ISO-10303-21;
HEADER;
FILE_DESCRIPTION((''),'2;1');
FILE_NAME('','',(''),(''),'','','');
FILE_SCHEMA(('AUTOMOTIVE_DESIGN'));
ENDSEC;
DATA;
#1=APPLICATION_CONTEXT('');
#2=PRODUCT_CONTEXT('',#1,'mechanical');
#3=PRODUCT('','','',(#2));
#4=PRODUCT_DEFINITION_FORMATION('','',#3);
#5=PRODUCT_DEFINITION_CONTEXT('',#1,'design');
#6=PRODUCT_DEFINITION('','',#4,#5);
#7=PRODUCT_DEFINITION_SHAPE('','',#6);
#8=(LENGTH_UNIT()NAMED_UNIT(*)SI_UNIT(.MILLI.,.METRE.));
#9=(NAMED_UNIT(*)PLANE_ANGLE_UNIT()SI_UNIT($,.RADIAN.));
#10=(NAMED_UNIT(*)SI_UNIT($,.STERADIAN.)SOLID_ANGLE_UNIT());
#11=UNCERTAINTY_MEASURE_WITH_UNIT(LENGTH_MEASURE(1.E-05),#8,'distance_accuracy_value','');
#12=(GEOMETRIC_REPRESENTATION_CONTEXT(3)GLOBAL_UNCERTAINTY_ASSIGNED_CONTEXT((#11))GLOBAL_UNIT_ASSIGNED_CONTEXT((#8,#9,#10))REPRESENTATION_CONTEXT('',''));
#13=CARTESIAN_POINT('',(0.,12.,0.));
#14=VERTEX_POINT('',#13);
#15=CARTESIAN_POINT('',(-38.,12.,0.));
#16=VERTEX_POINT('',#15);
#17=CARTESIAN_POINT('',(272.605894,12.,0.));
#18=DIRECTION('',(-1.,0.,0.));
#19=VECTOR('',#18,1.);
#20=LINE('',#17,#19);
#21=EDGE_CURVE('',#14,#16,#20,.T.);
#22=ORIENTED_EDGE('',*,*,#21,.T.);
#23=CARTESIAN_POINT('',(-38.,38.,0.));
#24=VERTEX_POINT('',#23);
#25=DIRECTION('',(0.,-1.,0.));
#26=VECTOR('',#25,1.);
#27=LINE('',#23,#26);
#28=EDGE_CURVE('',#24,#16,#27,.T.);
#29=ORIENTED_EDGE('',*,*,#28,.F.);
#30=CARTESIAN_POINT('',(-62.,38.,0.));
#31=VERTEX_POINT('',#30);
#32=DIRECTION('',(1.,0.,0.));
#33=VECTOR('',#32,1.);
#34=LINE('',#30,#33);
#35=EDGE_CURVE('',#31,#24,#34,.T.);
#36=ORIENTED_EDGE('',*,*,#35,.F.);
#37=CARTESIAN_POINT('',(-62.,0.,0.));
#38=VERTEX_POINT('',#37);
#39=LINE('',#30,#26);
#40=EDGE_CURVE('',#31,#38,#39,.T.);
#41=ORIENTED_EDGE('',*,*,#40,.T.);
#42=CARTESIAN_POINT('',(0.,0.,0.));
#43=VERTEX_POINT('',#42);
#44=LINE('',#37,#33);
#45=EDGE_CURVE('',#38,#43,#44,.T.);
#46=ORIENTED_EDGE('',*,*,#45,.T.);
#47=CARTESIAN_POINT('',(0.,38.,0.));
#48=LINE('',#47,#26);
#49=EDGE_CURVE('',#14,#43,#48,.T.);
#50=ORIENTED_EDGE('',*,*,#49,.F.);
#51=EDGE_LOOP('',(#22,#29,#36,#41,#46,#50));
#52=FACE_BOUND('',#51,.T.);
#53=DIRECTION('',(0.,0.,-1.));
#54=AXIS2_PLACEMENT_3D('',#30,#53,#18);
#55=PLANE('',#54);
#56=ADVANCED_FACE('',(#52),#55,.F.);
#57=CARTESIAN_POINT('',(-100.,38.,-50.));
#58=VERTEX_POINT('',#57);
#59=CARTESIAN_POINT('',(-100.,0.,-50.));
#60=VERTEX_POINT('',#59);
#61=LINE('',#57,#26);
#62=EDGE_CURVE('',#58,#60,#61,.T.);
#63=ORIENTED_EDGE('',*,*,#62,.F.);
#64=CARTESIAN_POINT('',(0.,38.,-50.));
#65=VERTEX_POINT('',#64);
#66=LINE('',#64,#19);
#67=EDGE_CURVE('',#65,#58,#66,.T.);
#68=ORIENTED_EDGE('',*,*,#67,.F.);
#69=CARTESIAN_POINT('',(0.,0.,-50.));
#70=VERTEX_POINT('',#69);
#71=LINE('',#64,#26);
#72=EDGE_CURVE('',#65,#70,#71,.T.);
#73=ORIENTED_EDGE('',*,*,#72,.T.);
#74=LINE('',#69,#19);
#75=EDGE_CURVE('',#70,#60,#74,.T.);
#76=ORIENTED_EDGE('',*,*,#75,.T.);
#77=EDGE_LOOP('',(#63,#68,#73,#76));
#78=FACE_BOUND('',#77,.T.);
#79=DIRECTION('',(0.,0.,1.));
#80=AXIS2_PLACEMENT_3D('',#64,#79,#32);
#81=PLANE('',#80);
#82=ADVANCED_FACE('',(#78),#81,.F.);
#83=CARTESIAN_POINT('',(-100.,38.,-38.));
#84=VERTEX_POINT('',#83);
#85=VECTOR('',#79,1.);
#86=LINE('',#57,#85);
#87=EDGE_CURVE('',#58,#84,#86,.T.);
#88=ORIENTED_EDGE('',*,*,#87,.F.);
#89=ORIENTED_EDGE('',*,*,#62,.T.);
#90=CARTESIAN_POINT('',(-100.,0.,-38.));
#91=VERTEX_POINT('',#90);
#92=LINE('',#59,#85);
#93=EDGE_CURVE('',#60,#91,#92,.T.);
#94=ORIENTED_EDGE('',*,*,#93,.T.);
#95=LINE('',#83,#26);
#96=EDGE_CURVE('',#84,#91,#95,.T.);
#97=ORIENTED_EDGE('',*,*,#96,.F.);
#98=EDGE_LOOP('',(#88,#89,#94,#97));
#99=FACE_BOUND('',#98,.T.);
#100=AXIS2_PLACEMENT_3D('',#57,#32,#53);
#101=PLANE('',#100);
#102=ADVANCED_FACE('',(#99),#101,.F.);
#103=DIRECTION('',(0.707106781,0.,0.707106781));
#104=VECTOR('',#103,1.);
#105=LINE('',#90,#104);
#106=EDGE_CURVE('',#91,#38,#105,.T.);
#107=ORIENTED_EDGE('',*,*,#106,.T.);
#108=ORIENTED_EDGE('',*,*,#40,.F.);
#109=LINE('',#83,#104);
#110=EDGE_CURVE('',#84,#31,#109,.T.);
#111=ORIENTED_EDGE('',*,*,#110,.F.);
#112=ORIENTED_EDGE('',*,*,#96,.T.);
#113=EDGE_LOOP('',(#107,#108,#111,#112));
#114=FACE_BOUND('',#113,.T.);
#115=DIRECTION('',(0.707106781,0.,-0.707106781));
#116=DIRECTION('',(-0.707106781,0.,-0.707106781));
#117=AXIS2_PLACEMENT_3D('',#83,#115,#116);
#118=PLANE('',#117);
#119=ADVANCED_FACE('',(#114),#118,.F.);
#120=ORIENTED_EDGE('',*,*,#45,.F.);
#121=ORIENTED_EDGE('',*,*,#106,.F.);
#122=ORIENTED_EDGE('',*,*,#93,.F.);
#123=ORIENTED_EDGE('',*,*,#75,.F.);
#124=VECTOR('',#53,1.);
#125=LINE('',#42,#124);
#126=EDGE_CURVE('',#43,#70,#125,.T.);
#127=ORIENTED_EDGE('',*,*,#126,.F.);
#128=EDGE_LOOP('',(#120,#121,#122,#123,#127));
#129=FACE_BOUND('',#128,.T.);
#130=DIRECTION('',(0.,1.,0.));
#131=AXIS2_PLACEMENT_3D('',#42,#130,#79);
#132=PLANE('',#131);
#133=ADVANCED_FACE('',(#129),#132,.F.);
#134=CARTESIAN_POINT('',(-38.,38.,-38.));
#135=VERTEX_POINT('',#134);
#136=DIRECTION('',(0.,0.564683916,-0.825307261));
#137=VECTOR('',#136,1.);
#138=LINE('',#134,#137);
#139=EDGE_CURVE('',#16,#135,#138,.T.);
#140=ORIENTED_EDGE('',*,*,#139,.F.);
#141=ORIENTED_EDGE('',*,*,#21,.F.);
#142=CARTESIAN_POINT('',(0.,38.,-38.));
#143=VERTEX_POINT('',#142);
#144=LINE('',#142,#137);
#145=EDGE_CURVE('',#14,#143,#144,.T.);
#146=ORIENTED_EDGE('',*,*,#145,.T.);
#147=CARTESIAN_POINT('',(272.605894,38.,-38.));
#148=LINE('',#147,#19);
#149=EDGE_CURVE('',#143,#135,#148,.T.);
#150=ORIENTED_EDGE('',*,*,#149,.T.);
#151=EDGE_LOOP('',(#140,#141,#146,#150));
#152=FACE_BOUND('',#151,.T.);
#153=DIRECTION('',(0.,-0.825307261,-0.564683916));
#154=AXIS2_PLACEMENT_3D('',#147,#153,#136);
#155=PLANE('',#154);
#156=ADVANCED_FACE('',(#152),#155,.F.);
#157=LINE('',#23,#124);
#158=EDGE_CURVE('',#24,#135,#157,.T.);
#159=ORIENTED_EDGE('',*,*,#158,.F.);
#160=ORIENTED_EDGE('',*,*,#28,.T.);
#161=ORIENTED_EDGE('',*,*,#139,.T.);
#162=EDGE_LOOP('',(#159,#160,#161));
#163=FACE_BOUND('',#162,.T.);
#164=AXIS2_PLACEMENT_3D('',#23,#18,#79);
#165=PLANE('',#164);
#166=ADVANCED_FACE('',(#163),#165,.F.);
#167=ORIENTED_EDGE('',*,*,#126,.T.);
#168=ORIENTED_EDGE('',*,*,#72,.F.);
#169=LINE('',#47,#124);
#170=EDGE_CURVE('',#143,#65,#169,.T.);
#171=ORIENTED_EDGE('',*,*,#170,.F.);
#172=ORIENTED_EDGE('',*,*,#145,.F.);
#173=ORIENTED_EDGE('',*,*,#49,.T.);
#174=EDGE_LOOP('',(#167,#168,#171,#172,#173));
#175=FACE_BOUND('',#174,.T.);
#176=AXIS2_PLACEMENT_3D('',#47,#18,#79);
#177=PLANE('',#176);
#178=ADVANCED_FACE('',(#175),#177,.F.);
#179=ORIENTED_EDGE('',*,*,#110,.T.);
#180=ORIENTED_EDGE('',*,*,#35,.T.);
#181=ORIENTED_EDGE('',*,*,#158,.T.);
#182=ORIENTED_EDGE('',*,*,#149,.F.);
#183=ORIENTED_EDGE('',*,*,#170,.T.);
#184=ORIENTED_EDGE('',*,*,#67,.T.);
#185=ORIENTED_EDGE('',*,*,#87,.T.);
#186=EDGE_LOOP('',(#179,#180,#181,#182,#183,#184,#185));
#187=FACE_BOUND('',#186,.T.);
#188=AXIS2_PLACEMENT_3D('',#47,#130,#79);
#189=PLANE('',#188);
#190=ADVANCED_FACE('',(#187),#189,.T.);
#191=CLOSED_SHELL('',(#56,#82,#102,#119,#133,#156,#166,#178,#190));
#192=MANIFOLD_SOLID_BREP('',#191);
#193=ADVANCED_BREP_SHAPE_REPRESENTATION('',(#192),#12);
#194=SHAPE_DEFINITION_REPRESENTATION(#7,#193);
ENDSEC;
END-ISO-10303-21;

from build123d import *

# Parameters (mm, degrees)
BOSS_EXTRUDE1_DEPTH     = 38
CUT_EXTRUDE8_DEPTH      = 119.084715353
CUT_EXTRUDE8_DEPTH_BACK = 38


with BuildPart() as part:
    # Sketch1 → Boss-Extrude1 (new body)
    with BuildSketch(Plane(origin=(0, 0, 0), x_dir=(1, 0, 0), z_dir=(0, 1, 0))):
        Polygon((-100, 50), (-100, 38), (-62, 0), (0, 0), (0, 50), align=None)
    extrude(amount=BOSS_EXTRUDE1_DEPTH)

    # Sketch2 → Cut-Extrude8 (cut, two sides: drawn at the far end of the back side and taken through both)
    with BuildSketch(Plane(origin=(0, 0, 0), x_dir=(0, 0, -1), z_dir=(1, 0, 0)).offset(-CUT_EXTRUDE8_DEPTH_BACK)):
        Polygon((139.275123153, 107.293505315), (38, 38), (0, 12), (-101.275123153, -57.293505315), (-239.862133784, 145.256740991), (0.688112523, 309.843751622), align=None)
    extrude(amount=CUT_EXTRUDE8_DEPTH + CUT_EXTRUDE8_DEPTH_BACK, mode=Mode.SUBTRACT)


solid = part.part
